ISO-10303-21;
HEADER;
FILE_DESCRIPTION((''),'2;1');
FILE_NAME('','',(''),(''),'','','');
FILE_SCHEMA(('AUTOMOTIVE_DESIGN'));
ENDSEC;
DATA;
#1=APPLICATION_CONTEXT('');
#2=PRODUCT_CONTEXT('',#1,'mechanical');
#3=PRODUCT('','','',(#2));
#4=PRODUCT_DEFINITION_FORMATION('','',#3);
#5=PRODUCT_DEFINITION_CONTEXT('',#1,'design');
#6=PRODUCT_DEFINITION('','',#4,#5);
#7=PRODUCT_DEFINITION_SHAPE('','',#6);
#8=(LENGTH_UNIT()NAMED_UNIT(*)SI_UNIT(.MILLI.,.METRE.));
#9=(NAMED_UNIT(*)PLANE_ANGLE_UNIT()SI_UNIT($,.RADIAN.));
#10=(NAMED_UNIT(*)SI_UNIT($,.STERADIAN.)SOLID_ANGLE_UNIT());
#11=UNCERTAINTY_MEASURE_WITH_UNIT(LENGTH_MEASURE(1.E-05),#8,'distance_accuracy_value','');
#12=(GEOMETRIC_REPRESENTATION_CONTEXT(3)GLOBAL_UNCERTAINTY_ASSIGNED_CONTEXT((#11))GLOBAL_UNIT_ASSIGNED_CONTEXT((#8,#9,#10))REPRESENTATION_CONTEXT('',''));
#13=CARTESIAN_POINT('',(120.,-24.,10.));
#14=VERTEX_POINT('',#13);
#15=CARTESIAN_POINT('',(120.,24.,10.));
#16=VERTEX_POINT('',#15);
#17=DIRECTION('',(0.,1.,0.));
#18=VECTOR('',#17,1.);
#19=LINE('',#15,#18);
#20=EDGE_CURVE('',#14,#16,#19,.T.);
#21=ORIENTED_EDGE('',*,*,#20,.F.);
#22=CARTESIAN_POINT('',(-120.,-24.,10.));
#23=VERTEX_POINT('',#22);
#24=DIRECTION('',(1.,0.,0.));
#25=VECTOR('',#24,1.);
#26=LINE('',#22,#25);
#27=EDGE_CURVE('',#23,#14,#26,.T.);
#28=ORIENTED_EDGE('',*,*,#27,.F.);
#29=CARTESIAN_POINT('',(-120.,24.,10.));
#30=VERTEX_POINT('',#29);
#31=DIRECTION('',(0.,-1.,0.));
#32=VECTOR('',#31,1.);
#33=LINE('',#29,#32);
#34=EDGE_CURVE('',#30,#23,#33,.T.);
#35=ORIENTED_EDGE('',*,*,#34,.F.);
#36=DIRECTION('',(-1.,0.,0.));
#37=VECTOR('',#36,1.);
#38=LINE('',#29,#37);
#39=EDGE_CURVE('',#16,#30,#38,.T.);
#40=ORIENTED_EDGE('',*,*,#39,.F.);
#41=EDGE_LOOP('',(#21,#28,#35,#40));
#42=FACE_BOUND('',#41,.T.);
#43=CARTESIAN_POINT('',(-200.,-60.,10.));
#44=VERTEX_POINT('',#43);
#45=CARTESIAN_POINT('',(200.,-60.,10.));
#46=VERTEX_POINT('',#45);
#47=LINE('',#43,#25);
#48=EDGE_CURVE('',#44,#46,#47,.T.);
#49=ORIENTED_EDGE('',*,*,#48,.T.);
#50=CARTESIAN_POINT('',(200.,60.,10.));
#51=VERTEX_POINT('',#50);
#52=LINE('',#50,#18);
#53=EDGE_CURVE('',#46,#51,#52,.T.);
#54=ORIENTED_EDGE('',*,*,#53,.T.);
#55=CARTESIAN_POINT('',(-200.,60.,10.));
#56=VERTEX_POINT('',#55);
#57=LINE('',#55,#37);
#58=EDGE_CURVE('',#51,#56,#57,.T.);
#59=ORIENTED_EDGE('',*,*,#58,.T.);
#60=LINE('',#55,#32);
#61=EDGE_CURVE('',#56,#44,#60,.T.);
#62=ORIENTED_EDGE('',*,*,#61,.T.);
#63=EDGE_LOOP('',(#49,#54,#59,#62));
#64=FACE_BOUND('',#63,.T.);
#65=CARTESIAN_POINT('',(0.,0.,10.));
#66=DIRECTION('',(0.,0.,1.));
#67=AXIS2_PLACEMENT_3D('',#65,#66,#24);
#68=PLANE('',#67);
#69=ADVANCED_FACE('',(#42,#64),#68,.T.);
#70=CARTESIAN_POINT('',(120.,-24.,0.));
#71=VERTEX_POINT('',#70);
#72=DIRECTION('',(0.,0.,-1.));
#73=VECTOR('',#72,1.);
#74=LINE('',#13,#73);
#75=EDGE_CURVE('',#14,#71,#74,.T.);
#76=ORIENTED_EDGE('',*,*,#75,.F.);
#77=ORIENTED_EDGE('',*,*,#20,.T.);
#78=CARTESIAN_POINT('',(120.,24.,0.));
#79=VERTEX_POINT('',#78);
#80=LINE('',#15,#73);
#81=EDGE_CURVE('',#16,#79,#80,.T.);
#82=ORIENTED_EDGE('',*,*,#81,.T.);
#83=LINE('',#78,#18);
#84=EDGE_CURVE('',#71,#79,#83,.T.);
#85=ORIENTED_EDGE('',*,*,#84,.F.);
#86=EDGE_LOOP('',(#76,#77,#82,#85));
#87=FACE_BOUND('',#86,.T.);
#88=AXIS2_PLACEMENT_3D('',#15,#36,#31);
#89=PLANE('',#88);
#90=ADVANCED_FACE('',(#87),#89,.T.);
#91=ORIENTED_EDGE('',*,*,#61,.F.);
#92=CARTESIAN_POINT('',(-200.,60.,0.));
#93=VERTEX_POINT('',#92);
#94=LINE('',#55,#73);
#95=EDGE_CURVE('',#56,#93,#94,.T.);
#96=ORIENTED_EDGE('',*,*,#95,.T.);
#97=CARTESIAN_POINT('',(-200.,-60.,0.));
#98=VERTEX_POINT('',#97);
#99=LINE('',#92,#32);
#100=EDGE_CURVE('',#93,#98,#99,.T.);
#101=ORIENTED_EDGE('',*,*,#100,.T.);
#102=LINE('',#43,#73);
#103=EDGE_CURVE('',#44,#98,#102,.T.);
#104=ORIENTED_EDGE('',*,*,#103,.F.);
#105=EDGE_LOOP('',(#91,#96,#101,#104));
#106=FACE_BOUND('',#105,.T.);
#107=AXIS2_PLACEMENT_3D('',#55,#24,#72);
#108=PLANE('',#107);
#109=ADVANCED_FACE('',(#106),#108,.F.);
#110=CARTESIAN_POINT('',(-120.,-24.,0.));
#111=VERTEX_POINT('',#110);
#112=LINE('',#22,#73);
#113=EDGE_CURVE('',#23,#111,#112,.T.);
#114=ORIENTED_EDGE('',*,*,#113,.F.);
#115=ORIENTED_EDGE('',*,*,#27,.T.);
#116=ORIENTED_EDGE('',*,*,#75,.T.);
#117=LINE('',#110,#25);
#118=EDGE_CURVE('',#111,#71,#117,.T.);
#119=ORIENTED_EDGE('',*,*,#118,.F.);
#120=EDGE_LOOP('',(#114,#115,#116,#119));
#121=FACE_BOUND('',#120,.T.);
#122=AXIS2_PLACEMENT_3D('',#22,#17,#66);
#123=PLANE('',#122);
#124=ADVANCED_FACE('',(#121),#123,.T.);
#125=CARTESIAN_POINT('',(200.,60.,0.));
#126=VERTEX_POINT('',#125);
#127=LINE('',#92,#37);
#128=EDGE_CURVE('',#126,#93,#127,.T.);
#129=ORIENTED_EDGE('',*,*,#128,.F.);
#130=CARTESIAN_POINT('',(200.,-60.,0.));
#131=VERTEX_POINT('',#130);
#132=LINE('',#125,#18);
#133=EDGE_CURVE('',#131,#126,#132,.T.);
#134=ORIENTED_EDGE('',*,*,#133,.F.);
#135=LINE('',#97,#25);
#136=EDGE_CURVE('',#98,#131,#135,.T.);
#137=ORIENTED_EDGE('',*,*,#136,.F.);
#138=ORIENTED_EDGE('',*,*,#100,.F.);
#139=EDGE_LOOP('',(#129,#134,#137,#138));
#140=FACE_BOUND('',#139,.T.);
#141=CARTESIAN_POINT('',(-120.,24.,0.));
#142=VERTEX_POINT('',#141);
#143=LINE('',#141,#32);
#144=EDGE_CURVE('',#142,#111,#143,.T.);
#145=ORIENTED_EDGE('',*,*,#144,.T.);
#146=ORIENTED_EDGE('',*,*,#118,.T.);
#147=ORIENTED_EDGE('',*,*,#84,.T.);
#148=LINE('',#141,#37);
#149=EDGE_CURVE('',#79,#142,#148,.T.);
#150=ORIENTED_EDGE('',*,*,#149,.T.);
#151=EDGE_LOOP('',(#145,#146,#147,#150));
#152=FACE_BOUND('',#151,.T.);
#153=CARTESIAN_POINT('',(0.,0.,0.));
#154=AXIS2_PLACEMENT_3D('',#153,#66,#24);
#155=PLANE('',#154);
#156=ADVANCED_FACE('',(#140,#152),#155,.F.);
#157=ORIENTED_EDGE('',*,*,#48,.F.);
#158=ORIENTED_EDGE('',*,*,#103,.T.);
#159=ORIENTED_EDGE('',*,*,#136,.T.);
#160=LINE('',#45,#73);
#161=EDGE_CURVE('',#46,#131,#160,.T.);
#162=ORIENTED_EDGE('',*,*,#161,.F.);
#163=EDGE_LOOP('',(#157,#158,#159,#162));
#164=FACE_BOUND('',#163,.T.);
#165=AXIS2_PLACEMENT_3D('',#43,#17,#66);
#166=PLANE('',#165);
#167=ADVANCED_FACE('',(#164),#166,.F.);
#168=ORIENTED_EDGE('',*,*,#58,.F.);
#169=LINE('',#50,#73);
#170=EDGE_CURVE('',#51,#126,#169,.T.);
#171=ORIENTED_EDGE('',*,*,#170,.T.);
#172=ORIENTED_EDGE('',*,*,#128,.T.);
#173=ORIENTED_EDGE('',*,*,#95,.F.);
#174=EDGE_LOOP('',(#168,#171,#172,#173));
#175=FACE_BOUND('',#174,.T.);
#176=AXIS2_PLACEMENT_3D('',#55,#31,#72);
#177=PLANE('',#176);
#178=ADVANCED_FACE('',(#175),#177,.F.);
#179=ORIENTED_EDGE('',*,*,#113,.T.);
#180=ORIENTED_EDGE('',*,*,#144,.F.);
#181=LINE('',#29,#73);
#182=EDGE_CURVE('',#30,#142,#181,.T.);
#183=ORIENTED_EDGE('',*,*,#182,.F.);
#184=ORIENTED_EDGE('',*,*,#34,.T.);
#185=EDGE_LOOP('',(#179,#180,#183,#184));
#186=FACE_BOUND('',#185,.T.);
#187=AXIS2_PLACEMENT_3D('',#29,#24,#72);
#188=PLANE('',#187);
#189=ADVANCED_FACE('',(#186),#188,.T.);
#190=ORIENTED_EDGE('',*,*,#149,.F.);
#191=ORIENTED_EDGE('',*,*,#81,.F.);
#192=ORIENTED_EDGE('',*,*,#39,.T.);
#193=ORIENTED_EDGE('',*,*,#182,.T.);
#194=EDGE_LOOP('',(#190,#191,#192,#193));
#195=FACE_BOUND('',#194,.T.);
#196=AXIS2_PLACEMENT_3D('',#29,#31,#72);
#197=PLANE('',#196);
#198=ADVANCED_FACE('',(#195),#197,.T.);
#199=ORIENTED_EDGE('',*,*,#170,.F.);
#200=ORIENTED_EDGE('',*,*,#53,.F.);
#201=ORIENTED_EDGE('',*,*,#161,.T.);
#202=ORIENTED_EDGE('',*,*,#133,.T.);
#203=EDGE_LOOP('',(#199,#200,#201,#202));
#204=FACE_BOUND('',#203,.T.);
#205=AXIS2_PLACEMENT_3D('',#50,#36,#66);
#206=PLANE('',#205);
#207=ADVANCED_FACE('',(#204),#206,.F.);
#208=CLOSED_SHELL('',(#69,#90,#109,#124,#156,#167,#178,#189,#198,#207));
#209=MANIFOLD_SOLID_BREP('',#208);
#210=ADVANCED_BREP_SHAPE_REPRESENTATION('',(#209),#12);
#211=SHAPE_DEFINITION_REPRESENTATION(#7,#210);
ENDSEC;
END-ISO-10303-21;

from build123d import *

# Parameters (mm, degrees)
SKETCH1_W           = 400
SKETCH1_H           = 120
SKETCH1_W_2         = 240
SKETCH1_H_2         = 48
BOSS_EXTRUDE1_DEPTH = 10


with BuildPart() as part:
    # Sketch1 → Boss-Extrude1 (new body)
    with BuildSketch(Plane.XY):
        Rectangle(SKETCH1_W, SKETCH1_H)
        Rectangle(SKETCH1_W_2, SKETCH1_H_2, mode=Mode.SUBTRACT)
    extrude(amount=BOSS_EXTRUDE1_DEPTH)


solid = part.part
